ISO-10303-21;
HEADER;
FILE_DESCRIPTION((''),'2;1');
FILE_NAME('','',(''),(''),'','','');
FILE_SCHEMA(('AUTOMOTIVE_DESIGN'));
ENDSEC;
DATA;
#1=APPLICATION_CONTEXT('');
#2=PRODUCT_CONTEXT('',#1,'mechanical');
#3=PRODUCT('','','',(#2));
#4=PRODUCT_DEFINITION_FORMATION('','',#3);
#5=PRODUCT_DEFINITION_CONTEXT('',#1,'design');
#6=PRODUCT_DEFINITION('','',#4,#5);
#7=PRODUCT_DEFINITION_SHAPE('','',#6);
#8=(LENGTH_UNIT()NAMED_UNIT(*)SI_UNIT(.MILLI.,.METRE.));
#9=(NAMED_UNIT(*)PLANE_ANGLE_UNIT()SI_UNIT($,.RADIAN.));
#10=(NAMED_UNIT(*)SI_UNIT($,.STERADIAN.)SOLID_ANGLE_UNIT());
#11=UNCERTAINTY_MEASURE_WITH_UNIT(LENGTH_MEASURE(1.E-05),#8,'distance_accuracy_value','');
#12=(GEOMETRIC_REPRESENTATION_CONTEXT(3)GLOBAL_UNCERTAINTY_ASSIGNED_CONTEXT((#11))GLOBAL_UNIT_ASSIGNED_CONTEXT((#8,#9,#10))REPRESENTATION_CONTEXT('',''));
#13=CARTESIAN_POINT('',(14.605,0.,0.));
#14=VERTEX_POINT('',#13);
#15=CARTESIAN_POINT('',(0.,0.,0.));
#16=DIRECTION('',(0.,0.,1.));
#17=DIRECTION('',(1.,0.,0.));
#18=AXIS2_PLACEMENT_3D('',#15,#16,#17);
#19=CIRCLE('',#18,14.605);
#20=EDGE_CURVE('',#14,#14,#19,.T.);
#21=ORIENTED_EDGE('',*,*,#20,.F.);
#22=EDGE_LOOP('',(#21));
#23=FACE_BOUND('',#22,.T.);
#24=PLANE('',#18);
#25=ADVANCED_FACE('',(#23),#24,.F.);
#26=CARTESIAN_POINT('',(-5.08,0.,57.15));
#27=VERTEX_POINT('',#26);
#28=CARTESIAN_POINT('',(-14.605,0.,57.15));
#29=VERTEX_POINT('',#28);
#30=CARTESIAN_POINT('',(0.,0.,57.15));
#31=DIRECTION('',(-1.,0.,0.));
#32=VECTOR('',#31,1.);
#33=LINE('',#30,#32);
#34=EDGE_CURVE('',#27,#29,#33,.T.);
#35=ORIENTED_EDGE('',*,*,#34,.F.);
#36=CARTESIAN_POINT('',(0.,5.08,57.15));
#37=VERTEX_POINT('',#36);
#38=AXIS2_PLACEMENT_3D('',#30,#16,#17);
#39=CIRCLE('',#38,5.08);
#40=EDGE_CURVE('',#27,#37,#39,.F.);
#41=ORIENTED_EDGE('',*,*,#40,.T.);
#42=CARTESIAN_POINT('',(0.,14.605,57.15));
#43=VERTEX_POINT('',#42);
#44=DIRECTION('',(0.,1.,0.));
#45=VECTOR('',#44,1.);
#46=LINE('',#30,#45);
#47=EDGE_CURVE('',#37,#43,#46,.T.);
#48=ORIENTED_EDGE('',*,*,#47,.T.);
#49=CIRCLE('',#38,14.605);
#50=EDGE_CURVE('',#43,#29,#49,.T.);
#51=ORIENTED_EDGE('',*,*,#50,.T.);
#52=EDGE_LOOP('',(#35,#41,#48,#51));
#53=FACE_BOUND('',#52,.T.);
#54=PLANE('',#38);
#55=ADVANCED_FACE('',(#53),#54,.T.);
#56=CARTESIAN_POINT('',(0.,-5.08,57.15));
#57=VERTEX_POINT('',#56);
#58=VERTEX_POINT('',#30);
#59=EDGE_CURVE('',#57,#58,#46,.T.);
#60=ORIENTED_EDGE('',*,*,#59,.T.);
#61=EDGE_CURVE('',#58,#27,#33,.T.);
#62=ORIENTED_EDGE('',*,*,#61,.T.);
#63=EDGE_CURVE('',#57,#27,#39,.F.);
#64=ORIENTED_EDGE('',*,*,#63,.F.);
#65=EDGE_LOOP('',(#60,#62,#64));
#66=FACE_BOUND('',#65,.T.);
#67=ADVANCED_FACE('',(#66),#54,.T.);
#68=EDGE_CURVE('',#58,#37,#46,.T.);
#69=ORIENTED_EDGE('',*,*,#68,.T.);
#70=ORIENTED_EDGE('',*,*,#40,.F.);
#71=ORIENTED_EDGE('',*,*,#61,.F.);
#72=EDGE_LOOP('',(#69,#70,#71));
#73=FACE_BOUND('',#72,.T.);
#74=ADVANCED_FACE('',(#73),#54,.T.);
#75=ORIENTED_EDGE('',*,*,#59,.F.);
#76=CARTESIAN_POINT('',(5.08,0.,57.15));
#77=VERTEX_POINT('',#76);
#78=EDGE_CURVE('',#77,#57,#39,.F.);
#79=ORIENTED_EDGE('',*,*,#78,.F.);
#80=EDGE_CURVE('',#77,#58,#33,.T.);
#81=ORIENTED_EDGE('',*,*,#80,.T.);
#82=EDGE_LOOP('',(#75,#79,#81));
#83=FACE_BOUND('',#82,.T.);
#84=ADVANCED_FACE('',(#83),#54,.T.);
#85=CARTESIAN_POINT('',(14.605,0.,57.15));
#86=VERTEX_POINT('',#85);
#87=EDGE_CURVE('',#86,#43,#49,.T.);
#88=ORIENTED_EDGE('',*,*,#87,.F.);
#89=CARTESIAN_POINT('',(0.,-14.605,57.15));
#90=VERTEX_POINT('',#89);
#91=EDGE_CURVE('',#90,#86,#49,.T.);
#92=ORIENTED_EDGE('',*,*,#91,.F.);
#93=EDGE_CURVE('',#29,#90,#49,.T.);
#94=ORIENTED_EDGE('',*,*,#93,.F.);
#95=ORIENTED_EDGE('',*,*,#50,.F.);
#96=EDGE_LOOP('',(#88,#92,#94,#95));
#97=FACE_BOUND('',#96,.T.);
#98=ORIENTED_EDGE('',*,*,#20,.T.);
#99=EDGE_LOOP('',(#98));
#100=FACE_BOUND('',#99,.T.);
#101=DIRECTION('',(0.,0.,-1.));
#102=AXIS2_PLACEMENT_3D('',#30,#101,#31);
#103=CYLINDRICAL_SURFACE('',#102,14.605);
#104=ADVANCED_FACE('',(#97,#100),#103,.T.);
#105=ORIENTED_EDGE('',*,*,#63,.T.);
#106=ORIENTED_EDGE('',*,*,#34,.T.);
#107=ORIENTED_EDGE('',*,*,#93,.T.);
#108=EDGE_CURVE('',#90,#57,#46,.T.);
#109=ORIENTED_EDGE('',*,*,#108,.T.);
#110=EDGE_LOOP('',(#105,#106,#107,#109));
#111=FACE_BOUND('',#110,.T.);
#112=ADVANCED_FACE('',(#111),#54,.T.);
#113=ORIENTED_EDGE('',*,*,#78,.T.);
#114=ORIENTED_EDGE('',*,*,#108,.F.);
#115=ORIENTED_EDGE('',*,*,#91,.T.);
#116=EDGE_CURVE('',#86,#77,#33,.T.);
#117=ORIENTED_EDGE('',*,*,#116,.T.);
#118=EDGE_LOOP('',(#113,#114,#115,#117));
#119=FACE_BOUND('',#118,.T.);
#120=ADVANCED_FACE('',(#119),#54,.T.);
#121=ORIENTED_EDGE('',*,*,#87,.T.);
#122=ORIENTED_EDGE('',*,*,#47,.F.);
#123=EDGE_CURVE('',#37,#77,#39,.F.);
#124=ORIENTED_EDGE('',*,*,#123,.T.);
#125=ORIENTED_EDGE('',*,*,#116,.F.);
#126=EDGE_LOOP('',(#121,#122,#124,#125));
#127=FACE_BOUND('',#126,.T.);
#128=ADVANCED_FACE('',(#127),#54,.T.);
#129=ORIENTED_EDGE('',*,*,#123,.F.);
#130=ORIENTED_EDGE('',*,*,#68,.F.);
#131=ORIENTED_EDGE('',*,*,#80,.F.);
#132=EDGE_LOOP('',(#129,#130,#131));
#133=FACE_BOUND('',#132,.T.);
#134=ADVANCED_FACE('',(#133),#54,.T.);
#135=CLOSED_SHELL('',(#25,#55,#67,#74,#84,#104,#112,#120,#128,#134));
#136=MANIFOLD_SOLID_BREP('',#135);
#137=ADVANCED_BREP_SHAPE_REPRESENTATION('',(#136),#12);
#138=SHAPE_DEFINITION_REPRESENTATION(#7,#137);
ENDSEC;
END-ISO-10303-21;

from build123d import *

# Parameters (mm, degrees)
SKETCH1_R           = 14.605
BOSS_EXTRUDE1_DEPTH = 57.15


with BuildPart() as part:
    # Sketch1 → Boss-Extrude1 (new body)
    with BuildSketch(Plane.XY):
        Circle(SKETCH1_R)
    extrude(amount=BOSS_EXTRUDE1_DEPTH)


solid = part.part
